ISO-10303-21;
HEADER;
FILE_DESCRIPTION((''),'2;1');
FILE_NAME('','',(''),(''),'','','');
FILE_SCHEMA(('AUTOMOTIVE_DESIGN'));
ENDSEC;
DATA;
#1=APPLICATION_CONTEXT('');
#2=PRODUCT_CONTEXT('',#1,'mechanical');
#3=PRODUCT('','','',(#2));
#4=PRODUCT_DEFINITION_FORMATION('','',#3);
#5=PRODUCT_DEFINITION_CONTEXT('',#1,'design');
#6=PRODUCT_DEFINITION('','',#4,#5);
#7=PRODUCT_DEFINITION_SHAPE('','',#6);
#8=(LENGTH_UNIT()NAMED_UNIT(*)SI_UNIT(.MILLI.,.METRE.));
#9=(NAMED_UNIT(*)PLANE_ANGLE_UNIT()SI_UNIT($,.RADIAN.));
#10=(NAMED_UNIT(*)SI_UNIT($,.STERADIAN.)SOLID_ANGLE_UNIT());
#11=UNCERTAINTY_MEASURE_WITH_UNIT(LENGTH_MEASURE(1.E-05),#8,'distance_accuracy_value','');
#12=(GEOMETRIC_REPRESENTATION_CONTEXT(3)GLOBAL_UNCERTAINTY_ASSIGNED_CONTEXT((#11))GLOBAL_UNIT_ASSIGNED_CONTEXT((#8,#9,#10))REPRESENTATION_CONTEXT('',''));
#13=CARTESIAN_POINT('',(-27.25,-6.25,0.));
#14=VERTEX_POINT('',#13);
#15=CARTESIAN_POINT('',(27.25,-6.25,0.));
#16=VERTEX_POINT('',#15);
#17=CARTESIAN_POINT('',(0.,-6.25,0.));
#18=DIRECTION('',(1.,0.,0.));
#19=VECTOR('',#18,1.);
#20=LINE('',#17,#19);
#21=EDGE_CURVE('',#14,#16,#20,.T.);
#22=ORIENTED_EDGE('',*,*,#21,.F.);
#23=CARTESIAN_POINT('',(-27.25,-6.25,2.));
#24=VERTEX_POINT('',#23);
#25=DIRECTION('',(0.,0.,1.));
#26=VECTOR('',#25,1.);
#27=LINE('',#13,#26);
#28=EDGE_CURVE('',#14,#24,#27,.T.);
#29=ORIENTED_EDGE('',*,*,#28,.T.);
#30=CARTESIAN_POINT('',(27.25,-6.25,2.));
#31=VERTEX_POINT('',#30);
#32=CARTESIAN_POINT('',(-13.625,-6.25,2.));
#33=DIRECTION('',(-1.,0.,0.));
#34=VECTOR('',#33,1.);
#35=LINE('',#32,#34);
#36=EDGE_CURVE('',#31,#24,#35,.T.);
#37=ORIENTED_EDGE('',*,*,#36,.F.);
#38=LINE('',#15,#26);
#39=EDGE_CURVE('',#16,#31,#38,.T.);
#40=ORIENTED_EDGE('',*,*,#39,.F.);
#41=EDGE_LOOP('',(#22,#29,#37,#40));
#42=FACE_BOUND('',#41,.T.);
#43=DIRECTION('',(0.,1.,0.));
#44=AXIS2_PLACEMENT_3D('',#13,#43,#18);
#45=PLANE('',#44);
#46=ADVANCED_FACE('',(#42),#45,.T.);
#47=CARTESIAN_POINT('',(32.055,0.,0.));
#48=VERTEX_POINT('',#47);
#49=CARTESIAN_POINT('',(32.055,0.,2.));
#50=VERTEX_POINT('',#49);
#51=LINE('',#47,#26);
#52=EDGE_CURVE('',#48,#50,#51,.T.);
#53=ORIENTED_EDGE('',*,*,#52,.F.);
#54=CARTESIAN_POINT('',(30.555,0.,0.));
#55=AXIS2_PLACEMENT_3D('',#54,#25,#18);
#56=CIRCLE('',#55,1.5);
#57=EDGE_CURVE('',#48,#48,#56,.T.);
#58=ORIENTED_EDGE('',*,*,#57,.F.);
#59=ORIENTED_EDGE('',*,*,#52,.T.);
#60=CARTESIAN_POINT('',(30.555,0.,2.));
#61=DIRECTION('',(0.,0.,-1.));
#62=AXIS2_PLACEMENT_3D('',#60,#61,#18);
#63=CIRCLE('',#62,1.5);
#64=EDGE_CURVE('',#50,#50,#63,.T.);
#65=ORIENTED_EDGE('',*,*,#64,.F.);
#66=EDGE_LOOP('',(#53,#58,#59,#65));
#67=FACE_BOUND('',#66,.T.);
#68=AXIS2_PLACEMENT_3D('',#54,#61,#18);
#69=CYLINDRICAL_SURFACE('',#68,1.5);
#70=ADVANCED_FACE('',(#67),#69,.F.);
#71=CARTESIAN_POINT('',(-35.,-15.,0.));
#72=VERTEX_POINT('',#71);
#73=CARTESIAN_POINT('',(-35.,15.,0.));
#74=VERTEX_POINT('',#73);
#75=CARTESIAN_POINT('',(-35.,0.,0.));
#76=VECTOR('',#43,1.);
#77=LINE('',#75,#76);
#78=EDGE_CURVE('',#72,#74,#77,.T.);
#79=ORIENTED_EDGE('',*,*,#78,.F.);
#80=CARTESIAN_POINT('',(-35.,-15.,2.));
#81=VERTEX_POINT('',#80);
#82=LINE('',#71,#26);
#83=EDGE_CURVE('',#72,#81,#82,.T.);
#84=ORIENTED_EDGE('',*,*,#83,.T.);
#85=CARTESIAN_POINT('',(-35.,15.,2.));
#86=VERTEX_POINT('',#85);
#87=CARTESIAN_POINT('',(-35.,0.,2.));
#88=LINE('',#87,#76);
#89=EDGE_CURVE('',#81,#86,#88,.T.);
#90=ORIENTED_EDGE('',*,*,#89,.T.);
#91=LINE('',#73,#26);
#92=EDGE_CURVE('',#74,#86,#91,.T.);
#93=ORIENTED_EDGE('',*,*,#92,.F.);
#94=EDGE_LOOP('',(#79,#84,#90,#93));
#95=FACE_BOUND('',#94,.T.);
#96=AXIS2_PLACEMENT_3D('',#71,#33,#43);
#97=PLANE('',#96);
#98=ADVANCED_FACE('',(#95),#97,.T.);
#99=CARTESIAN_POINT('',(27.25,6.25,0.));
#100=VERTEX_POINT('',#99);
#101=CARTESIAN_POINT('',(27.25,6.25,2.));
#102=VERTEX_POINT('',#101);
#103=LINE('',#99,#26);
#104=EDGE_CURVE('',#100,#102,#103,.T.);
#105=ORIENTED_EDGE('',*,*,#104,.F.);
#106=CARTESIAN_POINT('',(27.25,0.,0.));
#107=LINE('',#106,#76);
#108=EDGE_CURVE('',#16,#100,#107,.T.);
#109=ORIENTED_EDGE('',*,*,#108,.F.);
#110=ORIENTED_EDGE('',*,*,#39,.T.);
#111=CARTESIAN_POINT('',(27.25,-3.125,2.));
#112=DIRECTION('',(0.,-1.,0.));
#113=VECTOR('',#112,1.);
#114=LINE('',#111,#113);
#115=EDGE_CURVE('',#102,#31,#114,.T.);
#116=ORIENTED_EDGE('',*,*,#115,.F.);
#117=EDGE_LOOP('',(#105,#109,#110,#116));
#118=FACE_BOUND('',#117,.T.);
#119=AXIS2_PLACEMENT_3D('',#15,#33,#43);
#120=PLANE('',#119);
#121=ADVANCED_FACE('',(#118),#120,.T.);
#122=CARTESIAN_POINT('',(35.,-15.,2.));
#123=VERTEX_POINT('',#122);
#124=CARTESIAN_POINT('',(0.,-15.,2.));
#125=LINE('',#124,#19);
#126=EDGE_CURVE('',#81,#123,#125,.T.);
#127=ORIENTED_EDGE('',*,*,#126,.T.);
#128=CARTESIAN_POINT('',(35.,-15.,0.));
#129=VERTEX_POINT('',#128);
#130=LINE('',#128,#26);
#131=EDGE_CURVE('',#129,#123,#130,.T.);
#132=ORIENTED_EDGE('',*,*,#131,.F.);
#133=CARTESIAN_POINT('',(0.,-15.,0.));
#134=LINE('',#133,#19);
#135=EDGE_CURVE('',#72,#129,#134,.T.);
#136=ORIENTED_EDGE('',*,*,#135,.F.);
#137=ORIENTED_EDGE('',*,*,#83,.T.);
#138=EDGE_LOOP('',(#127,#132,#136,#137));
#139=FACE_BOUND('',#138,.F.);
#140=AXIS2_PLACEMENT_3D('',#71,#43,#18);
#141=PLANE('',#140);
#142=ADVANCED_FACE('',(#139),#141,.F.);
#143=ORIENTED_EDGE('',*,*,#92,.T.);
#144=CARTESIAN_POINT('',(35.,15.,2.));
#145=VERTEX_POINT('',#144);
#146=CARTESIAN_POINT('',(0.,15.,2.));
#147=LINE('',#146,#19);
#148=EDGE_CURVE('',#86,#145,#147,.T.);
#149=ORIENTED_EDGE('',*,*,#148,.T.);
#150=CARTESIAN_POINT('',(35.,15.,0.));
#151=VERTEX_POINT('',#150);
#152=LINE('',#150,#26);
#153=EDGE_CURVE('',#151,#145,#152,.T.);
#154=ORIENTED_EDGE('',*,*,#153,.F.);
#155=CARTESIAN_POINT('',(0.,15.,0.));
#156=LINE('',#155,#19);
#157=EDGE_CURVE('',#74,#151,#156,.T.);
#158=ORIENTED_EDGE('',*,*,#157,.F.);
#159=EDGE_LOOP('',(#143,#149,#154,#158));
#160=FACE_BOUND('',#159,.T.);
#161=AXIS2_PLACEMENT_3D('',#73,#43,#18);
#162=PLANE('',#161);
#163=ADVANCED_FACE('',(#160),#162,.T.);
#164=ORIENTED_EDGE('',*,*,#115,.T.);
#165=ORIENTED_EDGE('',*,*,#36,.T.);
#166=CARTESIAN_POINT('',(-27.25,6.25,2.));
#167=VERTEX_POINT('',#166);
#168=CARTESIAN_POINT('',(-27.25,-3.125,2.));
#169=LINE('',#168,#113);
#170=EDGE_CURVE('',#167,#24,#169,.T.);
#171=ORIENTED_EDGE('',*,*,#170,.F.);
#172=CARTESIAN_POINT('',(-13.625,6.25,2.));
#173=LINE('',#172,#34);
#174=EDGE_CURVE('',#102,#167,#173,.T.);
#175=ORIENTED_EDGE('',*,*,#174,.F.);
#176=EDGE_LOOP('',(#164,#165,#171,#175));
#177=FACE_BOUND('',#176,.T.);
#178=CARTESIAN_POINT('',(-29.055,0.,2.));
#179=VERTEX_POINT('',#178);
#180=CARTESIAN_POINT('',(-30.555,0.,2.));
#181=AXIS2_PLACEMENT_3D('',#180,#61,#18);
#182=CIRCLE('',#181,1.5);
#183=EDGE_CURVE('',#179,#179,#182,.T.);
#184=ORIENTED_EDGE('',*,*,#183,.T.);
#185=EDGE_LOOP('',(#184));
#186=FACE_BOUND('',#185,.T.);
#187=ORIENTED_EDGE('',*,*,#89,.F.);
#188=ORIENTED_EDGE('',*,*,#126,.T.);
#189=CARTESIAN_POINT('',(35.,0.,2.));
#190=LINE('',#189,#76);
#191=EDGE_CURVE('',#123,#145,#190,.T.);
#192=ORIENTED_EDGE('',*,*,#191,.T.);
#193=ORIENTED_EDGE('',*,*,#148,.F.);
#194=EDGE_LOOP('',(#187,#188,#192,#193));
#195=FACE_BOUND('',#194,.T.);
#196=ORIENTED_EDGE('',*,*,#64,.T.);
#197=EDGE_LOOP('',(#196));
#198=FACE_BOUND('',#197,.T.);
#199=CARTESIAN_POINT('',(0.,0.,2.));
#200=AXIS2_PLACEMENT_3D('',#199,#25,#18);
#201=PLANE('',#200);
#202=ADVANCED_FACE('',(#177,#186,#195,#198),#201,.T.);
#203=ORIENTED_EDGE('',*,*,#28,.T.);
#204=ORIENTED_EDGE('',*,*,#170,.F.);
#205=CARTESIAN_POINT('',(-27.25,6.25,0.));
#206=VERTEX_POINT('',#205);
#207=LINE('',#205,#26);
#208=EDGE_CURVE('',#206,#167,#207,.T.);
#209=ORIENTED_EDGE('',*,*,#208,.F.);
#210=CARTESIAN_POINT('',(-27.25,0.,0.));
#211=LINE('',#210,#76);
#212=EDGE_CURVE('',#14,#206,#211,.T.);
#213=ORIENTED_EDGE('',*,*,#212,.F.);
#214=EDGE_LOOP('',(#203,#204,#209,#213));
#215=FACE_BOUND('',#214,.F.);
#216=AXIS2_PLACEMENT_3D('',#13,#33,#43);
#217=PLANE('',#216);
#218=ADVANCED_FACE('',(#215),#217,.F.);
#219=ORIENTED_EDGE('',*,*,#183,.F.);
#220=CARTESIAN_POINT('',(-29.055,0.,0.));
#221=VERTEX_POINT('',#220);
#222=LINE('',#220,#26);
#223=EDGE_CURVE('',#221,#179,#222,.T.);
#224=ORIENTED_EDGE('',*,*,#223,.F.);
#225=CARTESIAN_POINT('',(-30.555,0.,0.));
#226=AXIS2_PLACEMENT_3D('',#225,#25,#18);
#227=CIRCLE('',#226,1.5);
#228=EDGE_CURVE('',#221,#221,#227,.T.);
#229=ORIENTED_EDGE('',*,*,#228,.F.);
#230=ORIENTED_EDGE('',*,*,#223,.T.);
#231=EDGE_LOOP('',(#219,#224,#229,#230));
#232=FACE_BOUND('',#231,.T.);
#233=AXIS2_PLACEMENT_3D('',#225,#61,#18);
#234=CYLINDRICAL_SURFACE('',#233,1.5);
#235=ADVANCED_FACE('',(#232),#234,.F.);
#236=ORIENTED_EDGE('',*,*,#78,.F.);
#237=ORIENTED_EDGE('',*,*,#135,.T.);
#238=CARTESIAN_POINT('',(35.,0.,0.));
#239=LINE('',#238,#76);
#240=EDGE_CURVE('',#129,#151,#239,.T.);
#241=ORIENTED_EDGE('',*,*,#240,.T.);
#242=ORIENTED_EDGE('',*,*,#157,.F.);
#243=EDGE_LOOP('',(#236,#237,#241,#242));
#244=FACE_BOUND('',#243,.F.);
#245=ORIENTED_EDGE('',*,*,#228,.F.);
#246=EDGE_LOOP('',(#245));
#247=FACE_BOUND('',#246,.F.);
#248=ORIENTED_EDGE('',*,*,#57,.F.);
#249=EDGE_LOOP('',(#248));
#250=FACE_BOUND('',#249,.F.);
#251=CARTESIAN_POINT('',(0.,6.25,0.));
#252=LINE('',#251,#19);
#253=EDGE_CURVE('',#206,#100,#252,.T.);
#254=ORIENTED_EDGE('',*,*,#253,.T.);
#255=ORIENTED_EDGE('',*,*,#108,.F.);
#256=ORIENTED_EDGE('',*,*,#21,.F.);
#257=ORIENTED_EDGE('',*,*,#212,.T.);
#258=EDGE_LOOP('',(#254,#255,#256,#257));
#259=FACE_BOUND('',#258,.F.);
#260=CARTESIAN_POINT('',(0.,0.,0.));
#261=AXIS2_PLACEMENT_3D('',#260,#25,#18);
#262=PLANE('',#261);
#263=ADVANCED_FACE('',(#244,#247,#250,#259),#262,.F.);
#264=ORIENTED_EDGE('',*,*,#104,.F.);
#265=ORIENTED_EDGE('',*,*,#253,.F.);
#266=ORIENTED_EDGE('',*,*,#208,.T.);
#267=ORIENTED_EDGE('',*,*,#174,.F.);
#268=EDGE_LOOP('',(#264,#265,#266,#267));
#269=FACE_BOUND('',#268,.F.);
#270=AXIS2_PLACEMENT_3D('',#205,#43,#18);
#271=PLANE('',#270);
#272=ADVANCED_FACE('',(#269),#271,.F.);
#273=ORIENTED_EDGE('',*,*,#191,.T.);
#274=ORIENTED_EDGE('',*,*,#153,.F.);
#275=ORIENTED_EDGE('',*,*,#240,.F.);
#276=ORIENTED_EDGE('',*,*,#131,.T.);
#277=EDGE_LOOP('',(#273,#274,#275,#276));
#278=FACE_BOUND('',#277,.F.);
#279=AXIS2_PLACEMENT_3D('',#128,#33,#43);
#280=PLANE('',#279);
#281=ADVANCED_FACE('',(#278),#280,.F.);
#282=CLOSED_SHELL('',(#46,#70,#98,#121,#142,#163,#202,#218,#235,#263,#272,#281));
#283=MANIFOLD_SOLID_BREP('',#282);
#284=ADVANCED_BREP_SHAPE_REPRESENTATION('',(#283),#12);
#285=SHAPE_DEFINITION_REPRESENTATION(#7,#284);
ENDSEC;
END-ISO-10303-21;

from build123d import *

# Parameters (mm, degrees)
SKETCH_W     = 70
SKETCH_H     = 30
PAD_DEPTH    = 2
SKETCH001_R  = 1.5
SKETCH001_W  = 54.5
SKETCH001_H  = 12.5
POCKET_DEPTH = 5


with BuildPart() as part:
    # Sketch → Pad (new body)
    with BuildSketch(Plane.XY):
        Rectangle(SKETCH_W, SKETCH_H)
    extrude(amount=PAD_DEPTH)

    # Sketch001 → Pocket (cut)
    with BuildSketch(Plane.XY):
        with Locations((-30.555, 0)):
            Circle(SKETCH001_R)
        with Locations((30.555, 0)):
            Circle(SKETCH001_R)
        Rectangle(SKETCH001_W, SKETCH001_H)
    extrude(amount=POCKET_DEPTH, mode=Mode.SUBTRACT)


solid = part.part
